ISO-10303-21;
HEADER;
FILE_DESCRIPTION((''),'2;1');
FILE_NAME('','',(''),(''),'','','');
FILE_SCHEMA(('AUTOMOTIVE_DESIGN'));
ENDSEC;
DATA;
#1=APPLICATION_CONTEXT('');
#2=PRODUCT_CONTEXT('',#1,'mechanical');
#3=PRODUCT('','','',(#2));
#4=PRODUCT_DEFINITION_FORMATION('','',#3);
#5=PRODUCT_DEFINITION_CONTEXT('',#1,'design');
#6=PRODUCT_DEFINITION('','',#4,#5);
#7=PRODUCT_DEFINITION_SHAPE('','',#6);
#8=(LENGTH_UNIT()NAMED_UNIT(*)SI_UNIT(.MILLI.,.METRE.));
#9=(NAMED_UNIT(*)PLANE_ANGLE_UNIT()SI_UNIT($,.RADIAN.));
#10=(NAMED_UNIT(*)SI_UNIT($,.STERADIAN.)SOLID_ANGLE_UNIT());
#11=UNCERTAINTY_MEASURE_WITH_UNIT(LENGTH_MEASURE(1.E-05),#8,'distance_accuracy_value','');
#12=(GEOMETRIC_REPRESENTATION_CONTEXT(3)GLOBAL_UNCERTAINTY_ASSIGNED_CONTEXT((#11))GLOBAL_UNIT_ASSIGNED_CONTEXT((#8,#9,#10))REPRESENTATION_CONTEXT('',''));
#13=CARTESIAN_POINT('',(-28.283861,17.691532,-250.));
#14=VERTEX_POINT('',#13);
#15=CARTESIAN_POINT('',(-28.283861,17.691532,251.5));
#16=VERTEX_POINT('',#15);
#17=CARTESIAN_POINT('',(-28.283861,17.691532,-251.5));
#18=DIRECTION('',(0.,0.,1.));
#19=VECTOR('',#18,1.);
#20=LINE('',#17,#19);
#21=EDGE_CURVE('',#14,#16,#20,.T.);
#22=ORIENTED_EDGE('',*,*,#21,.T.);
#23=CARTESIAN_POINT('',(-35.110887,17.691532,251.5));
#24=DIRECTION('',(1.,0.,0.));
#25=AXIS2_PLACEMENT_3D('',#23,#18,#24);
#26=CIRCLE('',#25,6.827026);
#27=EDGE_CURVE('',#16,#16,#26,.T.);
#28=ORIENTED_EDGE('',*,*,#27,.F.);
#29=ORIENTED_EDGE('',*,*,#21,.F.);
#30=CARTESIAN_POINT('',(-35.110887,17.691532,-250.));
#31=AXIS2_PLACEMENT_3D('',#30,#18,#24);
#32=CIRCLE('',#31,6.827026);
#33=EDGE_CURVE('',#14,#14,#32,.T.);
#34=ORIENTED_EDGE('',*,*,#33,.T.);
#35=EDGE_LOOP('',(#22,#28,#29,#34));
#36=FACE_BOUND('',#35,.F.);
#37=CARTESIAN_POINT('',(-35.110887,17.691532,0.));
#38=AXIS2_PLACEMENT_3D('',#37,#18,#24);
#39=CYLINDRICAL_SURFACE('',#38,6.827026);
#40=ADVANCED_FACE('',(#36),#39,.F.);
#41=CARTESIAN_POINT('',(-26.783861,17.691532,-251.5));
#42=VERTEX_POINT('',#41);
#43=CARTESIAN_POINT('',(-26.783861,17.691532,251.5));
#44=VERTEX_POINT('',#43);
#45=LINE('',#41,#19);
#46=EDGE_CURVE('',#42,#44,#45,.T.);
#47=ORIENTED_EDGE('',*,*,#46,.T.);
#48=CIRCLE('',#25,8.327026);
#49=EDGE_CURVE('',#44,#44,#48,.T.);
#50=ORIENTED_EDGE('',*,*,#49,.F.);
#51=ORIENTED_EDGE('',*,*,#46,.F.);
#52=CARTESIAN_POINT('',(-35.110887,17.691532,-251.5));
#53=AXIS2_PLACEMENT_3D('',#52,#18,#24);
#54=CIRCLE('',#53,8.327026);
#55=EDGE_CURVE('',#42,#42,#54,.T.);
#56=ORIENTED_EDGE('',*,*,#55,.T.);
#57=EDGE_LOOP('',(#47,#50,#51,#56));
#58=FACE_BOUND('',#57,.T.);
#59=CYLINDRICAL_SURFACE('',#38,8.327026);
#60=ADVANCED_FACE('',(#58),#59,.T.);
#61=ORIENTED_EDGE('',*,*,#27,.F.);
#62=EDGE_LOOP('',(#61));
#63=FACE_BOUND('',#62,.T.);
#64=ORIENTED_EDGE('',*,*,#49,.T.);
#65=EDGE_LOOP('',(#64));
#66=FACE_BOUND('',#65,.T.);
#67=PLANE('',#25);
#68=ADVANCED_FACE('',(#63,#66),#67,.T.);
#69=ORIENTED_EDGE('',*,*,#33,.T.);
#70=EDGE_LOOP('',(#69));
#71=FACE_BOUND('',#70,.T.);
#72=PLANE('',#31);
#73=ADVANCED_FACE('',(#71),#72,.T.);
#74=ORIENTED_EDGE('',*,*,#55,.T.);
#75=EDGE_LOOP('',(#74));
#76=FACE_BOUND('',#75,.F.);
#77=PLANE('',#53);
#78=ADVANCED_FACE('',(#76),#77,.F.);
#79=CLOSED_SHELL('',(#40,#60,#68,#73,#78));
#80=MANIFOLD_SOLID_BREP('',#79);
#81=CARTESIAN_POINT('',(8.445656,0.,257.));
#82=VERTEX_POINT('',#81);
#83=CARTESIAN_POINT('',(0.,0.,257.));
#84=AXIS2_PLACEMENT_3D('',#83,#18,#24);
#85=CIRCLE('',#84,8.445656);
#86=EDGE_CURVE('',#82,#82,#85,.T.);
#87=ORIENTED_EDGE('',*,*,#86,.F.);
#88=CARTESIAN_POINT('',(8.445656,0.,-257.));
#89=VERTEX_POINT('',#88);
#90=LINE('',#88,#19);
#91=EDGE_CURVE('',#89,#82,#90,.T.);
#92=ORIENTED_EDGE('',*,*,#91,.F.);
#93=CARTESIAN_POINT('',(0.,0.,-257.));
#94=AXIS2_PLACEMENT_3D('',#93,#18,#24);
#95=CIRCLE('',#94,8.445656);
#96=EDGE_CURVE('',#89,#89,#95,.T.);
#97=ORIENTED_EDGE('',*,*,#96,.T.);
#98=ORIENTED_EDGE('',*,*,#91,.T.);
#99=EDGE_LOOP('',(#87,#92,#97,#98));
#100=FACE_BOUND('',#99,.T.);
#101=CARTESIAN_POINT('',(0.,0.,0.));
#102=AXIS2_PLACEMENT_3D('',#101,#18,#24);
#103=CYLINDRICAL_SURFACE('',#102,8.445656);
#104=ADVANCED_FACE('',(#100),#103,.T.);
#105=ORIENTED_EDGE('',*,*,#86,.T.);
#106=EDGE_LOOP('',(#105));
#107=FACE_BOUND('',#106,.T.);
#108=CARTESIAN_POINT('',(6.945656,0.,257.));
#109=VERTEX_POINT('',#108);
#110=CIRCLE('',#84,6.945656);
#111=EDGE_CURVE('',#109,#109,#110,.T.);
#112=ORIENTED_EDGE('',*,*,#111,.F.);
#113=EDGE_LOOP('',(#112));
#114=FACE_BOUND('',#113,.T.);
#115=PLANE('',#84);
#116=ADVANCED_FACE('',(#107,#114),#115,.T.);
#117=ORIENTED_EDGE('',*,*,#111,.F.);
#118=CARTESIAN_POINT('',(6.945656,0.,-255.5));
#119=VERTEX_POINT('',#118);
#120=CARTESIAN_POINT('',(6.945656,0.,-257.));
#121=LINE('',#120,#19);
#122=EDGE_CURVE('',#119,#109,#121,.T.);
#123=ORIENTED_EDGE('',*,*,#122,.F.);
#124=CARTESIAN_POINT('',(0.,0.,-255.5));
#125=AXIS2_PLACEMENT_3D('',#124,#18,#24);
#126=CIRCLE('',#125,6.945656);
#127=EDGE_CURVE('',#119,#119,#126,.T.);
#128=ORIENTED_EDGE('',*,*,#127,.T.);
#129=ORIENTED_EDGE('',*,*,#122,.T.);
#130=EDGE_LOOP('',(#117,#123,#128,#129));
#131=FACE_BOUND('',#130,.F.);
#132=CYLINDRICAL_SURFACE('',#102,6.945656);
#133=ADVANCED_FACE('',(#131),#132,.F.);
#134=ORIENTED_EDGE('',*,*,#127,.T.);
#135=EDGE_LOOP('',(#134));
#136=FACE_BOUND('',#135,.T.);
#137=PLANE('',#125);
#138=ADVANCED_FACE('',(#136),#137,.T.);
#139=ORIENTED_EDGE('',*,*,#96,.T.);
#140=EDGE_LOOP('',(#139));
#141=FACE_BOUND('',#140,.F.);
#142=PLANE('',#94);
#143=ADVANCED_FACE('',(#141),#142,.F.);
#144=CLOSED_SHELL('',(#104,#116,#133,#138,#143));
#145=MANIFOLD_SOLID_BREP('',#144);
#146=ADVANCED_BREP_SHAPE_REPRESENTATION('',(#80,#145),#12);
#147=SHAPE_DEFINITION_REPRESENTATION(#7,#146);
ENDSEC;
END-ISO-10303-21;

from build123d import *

# Parameters (mm, degrees)
F0_R     = 8.445656
F1_DEPTH = 257
F2_R     = 8.327026
F3_DEPTH = 251.5
F4_T     = -1.5
F4_2_T   = -1.5


with BuildPart() as f1:
    # F0 (on Top) → F1 (new body, symmetric)
    with BuildSketch(Plane.XY):
        Circle(F0_R)
    extrude(amount=F1_DEPTH, both=True)

    # F4#2
    f4_2_openings = [f1.faces().sort_by_distance(p)[0] for p in [
        (0, 0, 257),
    ]]
    offset(amount=F4_2_T, openings=f4_2_openings)


with BuildPart() as f3:
    # F2 (on Top) → F3 (new body, symmetric)
    with BuildSketch(Plane.XY):
        with Locations((-35.110887, 17.691532)):
            Circle(F2_R)
    extrude(amount=F3_DEPTH, both=True)

    # F4
    f4_openings = [f3.faces().sort_by_distance(p)[0] for p in [
        (-35.110887, 17.691532, 251.5),
    ]]
    offset(amount=F4_T, openings=f4_openings)


solid = Compound([f1.part, f3.part])
